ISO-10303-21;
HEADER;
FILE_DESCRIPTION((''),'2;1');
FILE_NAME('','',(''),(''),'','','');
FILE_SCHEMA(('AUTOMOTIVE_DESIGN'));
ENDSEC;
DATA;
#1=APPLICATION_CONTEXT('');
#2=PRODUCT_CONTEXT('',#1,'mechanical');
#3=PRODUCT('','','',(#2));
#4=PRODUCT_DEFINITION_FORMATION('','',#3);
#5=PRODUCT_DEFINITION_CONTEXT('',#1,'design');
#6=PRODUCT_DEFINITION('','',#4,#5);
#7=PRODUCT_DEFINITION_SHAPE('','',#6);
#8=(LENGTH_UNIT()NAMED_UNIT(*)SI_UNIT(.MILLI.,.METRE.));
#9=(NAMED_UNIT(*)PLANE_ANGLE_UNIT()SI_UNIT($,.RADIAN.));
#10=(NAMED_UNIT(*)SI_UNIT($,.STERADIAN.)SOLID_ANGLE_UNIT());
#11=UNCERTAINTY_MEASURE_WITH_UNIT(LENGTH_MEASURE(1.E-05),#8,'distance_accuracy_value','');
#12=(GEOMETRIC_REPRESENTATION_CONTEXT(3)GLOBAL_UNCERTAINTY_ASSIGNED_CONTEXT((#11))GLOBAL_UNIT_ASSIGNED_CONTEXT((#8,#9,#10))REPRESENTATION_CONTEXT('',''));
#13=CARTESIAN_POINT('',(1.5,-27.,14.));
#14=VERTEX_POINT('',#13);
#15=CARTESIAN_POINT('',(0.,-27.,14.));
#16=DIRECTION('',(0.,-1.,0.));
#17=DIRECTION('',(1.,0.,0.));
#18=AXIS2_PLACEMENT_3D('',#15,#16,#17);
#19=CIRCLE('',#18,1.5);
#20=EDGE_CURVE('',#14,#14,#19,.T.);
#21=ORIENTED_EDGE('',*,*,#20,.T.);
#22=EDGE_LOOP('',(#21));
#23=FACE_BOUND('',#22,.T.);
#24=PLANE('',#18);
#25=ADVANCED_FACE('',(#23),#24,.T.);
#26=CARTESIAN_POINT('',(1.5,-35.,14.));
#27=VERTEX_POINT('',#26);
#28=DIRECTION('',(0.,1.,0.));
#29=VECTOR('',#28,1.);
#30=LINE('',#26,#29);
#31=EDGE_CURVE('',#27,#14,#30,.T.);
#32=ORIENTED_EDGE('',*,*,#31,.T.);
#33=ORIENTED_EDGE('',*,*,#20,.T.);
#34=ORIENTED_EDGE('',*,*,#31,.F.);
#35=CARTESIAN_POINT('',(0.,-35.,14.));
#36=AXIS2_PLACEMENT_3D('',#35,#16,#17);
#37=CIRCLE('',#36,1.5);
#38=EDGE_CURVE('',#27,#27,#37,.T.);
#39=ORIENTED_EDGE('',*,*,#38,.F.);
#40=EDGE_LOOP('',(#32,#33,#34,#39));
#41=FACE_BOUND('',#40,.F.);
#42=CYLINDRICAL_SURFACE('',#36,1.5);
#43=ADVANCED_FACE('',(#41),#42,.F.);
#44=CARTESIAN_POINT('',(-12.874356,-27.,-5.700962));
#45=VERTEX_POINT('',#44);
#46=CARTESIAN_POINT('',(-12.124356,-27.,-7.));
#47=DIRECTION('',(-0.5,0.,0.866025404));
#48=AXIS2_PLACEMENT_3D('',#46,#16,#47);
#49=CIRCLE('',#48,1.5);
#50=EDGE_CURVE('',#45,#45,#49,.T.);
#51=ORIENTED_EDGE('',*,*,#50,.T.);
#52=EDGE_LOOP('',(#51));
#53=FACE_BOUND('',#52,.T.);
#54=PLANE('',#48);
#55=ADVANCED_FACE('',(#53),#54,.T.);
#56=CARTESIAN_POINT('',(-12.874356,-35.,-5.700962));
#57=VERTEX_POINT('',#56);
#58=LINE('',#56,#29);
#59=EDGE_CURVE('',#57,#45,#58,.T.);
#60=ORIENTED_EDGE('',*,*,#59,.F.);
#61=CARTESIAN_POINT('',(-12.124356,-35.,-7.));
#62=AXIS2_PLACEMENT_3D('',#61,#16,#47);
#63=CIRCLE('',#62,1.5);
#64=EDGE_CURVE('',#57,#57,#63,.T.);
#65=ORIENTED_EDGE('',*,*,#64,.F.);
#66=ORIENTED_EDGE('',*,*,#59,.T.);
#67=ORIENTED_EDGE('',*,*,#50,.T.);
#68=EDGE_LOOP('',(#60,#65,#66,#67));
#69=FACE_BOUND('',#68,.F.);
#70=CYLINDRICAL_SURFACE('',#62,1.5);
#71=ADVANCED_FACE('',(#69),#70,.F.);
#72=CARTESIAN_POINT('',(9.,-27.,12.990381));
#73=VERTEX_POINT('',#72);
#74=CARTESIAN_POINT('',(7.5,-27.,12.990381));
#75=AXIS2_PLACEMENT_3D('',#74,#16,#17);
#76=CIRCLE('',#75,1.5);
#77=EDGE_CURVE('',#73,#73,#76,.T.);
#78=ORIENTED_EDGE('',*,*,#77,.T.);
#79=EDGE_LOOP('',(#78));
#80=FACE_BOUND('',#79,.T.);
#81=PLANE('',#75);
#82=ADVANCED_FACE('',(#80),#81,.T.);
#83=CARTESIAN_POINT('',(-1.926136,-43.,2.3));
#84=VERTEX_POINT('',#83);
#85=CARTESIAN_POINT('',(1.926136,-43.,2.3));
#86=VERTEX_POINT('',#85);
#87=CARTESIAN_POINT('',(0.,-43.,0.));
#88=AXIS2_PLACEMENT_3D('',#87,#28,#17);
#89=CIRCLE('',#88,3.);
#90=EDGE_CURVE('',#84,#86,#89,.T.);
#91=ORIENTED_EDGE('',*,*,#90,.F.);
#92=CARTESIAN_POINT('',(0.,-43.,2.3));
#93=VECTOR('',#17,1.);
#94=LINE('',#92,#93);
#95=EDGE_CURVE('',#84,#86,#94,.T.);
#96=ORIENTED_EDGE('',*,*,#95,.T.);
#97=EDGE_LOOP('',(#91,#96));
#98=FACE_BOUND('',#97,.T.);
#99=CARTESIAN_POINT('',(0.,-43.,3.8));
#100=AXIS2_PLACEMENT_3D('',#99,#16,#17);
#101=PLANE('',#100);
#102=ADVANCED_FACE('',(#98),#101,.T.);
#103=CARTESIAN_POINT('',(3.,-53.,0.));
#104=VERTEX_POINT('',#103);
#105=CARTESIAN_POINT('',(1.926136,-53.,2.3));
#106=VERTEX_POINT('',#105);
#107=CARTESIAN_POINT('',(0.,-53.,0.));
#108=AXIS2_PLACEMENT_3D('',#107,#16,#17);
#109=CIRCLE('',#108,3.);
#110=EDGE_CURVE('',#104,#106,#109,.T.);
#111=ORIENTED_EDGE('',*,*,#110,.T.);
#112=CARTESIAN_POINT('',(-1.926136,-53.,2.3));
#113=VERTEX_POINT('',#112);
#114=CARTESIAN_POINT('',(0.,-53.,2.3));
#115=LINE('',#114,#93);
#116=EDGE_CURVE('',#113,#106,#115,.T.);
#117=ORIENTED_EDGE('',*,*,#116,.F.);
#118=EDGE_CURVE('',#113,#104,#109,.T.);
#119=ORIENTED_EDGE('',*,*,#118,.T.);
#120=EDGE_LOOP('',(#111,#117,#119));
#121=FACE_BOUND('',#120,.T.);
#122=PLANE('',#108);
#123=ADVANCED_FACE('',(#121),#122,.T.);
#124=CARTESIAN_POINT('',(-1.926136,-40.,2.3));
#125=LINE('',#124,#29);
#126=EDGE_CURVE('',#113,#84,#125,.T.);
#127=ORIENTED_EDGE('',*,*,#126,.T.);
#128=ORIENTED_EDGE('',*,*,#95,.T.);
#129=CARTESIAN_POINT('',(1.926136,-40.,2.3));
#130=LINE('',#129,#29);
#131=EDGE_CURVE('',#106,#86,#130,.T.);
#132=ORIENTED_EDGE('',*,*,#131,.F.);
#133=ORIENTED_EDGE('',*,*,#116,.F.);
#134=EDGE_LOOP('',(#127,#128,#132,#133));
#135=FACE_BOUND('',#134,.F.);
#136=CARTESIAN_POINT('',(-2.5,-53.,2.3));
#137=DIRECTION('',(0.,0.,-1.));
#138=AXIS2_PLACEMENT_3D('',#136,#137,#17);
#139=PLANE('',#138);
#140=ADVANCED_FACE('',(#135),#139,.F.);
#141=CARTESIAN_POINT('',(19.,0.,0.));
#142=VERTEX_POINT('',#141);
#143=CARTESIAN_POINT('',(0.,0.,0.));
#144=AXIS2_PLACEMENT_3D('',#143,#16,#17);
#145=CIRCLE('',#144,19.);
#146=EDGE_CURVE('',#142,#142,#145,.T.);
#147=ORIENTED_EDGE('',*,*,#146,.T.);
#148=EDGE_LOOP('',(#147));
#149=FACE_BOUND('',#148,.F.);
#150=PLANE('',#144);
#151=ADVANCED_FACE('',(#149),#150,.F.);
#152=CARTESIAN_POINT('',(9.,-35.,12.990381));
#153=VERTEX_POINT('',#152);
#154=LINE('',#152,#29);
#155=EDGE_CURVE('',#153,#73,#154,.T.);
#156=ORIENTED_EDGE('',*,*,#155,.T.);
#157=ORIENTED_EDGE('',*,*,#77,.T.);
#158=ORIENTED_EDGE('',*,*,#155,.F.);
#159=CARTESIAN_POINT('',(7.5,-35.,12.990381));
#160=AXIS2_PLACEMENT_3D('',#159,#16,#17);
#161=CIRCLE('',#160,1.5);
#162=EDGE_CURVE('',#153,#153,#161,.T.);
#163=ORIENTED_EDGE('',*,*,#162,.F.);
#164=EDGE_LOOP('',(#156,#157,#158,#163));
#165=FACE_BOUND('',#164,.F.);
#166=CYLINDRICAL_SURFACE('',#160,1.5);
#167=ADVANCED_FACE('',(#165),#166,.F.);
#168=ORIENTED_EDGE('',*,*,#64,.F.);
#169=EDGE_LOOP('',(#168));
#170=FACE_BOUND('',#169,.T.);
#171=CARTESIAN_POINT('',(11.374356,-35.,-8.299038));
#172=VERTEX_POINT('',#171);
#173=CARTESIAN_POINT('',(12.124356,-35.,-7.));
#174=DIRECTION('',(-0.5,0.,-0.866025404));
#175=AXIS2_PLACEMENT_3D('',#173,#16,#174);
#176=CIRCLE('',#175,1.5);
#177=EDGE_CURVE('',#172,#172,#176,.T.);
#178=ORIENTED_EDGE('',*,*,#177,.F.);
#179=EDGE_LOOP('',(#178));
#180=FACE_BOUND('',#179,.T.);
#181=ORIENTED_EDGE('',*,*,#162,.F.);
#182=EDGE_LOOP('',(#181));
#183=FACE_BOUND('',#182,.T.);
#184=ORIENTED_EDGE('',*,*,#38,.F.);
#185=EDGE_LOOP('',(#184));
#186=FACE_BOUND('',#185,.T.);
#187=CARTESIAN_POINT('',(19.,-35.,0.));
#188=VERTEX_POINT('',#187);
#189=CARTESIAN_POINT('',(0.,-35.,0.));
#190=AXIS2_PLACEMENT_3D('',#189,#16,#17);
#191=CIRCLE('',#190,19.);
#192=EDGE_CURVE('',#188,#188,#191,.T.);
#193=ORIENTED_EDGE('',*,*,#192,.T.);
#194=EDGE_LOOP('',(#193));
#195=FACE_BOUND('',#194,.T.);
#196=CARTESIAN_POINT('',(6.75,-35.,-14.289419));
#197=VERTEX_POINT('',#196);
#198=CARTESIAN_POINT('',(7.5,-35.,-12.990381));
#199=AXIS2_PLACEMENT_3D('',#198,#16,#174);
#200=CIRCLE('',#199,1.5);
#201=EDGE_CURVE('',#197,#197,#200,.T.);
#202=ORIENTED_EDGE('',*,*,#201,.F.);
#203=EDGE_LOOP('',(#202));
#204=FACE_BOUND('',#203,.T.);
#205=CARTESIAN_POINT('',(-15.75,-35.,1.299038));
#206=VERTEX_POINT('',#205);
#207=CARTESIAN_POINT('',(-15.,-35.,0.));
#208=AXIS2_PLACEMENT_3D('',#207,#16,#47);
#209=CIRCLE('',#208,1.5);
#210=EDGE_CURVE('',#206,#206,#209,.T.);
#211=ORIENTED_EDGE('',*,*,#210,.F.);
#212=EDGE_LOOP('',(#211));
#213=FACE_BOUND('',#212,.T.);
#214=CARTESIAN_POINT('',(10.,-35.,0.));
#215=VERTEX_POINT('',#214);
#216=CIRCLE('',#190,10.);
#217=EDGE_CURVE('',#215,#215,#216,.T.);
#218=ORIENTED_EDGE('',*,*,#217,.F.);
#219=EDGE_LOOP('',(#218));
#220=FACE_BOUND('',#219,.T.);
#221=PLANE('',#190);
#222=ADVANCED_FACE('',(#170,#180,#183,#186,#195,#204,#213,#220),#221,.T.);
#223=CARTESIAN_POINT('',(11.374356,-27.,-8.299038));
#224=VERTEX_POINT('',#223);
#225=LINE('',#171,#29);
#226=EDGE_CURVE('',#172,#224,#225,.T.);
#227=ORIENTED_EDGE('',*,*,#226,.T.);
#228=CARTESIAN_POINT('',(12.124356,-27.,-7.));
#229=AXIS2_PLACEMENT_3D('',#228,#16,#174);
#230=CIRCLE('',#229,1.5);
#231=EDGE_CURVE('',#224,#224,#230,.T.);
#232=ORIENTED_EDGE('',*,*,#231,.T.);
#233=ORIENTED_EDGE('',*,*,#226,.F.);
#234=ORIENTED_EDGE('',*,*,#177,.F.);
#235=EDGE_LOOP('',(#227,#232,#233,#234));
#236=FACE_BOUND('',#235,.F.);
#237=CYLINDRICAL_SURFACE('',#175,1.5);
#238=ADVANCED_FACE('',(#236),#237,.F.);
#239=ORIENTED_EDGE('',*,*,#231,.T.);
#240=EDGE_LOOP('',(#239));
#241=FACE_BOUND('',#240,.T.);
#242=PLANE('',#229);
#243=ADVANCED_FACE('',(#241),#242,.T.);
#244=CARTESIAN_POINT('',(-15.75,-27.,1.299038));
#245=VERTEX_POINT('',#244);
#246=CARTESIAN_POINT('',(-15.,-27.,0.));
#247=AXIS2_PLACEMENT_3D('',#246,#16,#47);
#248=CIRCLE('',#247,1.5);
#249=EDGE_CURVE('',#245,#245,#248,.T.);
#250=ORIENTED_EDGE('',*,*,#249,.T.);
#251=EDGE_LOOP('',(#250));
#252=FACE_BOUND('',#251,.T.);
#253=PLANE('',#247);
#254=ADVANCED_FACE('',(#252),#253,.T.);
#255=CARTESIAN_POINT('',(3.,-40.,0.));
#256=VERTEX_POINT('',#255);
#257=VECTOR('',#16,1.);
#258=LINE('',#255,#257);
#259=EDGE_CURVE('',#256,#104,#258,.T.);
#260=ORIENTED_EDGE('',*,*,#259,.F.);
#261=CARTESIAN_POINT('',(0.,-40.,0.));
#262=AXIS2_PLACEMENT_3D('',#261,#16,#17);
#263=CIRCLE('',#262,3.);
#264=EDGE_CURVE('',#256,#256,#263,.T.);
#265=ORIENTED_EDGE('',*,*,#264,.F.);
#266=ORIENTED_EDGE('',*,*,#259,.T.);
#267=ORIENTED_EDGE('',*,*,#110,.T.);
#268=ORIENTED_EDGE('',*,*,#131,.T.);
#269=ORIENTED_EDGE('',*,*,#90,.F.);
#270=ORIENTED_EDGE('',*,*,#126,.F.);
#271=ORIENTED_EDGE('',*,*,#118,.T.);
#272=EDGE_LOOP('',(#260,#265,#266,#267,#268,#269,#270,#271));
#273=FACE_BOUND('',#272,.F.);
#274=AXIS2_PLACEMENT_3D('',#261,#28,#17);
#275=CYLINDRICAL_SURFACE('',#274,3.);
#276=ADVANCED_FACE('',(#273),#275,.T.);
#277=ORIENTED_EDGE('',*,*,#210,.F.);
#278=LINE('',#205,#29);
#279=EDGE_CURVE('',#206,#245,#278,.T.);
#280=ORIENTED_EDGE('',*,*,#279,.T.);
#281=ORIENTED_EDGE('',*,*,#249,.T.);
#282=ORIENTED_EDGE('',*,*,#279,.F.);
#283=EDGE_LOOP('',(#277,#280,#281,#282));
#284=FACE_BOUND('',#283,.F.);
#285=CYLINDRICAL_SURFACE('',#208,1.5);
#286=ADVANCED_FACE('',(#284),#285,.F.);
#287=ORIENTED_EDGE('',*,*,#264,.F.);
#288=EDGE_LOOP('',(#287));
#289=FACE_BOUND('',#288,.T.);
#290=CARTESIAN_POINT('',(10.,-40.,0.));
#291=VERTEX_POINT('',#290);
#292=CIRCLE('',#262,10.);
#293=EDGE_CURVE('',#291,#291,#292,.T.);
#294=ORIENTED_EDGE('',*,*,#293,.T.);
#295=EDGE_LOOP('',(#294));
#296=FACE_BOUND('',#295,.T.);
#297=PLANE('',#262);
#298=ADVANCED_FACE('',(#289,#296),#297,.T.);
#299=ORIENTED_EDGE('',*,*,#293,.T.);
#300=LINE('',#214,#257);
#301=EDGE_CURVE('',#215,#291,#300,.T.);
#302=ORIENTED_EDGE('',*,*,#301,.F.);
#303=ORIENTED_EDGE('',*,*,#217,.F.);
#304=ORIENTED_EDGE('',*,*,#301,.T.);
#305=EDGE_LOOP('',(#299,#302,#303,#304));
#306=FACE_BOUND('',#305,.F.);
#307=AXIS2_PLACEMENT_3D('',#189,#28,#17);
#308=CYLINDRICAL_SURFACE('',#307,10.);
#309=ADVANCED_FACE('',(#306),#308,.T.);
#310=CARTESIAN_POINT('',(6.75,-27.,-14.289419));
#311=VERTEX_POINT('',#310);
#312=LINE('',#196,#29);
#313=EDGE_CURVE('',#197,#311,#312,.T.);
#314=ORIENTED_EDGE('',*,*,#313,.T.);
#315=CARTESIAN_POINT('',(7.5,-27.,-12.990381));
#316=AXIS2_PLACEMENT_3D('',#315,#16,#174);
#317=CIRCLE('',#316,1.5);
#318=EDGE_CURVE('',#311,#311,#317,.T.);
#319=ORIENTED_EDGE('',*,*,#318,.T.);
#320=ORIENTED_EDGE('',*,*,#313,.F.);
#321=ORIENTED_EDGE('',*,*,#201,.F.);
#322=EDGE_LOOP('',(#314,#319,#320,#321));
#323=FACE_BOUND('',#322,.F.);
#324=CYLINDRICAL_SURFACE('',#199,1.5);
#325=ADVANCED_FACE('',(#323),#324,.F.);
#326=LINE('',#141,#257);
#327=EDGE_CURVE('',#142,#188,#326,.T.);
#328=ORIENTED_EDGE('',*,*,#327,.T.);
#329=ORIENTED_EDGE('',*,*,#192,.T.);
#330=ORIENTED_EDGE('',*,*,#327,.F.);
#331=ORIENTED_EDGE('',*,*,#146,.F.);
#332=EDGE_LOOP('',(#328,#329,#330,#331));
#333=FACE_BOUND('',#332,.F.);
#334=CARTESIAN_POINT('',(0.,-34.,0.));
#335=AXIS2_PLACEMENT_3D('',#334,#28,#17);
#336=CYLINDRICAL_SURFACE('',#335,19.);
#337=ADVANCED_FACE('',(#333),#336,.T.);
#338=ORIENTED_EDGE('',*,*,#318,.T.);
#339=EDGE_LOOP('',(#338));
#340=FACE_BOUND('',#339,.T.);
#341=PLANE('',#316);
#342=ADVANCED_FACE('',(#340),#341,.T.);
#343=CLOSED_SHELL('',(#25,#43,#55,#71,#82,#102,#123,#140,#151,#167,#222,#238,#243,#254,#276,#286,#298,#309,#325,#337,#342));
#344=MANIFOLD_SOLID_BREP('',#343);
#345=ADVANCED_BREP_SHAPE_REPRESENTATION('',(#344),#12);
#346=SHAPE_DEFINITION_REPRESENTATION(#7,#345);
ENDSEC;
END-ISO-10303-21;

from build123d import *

# Parameters (mm, degrees)
SKETCH_R           = 19
PAD_DEPTH          = 34
SKETCH001_R        = 19
PAD001_DEPTH       = 1
SKETCH002_R        = 10
PAD002_DEPTH       = 5
SKETCH003_R        = 3
PAD003_DEPTH       = 13
SKETCH004_W        = 5
SKETCH004_H        = 3
POCKET_DEPTH       = 10
SKETCH005_R        = 1.5
POCKET001_DEPTH    = 8
POLARPATTERN_COUNT = 3


with BuildPart() as part:
    # Sketch → Pad (new body)
    with BuildSketch(Plane.XZ):
        Circle(SKETCH_R)
    extrude(amount=PAD_DEPTH)

    # Sketch001 (on Face3 of Pad) → Pad001 (join)
    with BuildSketch(Plane.XZ.offset(34)):
        Circle(SKETCH001_R)
    extrude(amount=PAD001_DEPTH)

    # Sketch002 (on Face4 of Pad001) → Pad002 (join)
    with BuildSketch(Plane.XZ.offset(35)):
        Circle(SKETCH002_R)
    extrude(amount=PAD002_DEPTH)

    # Sketch003 (on Face6 of Pad002) → Pad003 (join)
    with BuildSketch(Plane.XZ.offset(40)):
        Circle(SKETCH003_R)
    extrude(amount=PAD003_DEPTH)

    # Sketch004 (on Face8 of Pad003) → Pocket (cut)
    with BuildSketch(Plane.XZ.offset(53)):
        with Locations((0, 3.8)):
            Rectangle(SKETCH004_W, SKETCH004_H)
    extrude(amount=-POCKET_DEPTH, mode=Mode.SUBTRACT)

    # Sketch005 (on Face4 of Pad001) → Pocket001 (cut)
    with BuildSketch(Plane.XZ.offset(35)):
        with Locations((0, 14)):
            Circle(SKETCH005_R)
        with Locations((7.5, 12.990381)):
            Circle(SKETCH005_R)
    pocket001 = extrude(amount=-POCKET001_DEPTH, mode=Mode.SUBTRACT)

    # PolarPattern: Pocket001 ×3 about axis
    polarpattern_axis = Axis((0, -35, 0), (0, -1, 0))
    for i in range(1, POLARPATTERN_COUNT):
        add(pocket001.rotate(polarpattern_axis, i * 360 / POLARPATTERN_COUNT), mode=Mode.SUBTRACT)


solid = part.part
